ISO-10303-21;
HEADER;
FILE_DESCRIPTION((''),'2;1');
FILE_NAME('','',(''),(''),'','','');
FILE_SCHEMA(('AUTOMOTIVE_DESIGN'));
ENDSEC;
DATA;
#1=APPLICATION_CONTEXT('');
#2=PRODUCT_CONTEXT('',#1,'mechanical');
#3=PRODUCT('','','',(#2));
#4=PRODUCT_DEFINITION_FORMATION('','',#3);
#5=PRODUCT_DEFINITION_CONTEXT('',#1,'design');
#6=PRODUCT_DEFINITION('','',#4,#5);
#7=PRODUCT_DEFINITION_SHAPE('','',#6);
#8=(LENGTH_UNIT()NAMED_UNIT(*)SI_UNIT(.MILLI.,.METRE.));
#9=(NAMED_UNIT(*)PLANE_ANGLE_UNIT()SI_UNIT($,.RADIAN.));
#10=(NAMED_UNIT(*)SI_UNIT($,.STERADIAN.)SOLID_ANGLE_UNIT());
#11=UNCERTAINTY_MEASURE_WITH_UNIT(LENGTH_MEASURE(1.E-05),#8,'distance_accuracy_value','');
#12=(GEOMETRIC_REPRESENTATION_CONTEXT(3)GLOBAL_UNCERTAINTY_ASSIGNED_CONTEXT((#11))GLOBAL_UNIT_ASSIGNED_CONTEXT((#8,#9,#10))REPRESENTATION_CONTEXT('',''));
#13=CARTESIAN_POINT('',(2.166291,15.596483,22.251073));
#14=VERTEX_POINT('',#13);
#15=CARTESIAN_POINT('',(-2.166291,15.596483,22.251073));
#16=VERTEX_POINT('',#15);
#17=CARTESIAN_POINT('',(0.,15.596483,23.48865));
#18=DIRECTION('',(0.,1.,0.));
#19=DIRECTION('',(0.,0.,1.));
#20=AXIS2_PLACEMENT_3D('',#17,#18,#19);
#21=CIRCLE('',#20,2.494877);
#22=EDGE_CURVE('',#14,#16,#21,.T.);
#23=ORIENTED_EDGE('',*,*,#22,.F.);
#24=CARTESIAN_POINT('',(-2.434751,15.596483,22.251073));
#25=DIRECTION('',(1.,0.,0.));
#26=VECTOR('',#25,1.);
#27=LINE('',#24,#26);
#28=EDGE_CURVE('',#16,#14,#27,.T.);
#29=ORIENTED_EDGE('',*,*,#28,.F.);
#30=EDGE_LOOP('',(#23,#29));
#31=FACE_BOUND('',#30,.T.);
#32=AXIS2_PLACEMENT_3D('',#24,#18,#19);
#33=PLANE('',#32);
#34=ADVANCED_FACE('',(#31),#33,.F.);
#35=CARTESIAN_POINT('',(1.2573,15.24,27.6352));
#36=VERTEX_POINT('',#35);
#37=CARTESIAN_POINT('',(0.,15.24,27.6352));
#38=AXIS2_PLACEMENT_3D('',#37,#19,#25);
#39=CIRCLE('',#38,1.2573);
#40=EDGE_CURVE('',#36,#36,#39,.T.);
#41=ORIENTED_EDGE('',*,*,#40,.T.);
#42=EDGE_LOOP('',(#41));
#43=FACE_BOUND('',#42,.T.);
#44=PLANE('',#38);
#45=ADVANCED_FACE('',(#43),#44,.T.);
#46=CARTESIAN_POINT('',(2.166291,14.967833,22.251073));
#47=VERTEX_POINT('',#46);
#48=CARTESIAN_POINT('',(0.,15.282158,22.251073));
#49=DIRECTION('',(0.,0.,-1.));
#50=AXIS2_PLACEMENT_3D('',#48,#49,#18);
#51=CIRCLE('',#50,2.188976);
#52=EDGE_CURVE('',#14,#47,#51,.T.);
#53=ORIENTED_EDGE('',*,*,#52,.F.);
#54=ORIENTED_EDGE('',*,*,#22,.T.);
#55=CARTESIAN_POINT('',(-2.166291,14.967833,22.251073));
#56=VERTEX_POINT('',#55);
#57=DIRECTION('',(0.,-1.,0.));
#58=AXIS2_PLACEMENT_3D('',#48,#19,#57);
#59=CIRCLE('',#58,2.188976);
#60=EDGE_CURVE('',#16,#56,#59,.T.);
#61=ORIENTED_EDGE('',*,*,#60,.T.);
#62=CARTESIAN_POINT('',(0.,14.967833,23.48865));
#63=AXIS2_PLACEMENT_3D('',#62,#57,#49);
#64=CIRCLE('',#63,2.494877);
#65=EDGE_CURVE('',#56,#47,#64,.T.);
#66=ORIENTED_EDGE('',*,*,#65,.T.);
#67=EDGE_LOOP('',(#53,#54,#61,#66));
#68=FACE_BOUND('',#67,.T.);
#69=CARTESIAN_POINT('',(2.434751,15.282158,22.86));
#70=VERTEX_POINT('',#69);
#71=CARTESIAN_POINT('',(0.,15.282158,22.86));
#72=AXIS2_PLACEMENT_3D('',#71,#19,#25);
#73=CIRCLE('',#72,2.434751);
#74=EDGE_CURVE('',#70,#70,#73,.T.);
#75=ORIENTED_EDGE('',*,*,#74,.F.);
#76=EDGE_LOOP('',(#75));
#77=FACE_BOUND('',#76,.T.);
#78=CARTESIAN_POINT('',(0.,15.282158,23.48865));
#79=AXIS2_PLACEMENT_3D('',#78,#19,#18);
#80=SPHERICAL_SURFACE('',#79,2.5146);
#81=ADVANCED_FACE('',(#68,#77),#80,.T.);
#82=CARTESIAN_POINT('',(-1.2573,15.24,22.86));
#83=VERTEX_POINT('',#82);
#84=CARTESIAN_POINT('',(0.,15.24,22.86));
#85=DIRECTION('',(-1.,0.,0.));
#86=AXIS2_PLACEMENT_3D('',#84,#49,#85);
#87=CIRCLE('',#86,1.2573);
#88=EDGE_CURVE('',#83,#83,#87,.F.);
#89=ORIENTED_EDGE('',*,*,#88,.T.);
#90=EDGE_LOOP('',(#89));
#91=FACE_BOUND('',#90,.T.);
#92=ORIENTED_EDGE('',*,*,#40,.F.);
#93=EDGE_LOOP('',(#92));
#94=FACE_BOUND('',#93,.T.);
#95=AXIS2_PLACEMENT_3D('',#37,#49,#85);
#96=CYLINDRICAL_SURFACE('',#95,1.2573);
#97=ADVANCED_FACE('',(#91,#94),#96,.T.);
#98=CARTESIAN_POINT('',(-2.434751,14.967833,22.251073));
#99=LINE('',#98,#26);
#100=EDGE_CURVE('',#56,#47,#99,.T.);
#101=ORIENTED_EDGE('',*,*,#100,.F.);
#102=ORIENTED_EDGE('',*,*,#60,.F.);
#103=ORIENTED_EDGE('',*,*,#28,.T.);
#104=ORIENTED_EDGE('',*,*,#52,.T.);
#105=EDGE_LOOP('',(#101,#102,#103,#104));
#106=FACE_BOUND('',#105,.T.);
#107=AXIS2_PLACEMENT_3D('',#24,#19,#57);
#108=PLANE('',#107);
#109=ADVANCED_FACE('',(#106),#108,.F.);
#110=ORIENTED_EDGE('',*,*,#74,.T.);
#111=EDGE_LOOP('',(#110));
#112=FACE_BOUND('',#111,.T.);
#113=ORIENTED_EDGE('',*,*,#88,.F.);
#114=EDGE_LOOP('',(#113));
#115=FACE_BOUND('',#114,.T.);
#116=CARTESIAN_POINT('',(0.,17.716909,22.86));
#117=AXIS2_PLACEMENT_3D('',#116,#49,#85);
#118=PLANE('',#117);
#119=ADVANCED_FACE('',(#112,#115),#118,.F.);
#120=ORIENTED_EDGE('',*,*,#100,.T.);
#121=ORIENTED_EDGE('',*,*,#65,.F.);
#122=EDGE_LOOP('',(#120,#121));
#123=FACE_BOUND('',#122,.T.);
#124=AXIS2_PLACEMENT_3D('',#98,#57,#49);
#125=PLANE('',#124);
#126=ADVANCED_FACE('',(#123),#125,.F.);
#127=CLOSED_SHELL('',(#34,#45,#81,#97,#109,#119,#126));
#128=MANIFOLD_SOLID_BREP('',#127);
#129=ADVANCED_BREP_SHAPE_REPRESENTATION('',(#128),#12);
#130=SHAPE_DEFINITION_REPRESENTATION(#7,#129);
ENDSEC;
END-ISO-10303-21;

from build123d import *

# Parameters (mm, degrees)
SKETCH2_R           = 1.2573
BOSS_EXTRUDE1_DEPTH = 4.7752
CUT_EXTRUDE1_DEPTH  = 3.434750981


with BuildPart() as part:
    # Sketch1 → Base-Revolve (revolve)
    with BuildSketch(Plane(origin=(0, 0, 0), x_dir=(0, 0, -1), z_dir=(1, 0, 0))):
        with BuildLine():
            Line((-22.86, 15.282157927), (-20.97405, 15.282157927))
            ThreePointArc((-20.97405, 15.282157927), (-21.500684149, 16.822029654), (-22.86, 17.716908908))
            Line((-22.86, 17.716908908), (-22.86, 15.282157927))
        make_face()
    revolve(axis=Axis((0, 15.282157927, 28.59405), (0, 0, -1)))

    # Sketch2 → Boss-Extrude1 (add)
    with BuildSketch(Plane.XY.offset(22.86)):
        with Locations((0, 15.24)):
            Circle(SKETCH2_R)
    extrude(amount=BOSS_EXTRUDE1_DEPTH)

    # Sketch4 → Cut-Extrude1 (cut, through all)
    with BuildSketch(Plane(origin=(0, 0, 0), x_dir=(0, 0, -1), z_dir=(1, 0, 0))):
        with BuildLine():
            Line((-22.251072657, 14.967832927), (-20.993772657, 14.967832927))
            ThreePointArc((-20.993772657, 14.967832927), (-20.97405, 15.282157927), (-20.993772657, 15.596482927))
            Line((-20.993772657, 15.596482927), (-22.251072657, 15.596482927))
            Line((-22.251072657, 15.596482927), (-22.251072657, 14.967832927))
        make_face()
    cut_extrude1 = extrude(amount=-CUT_EXTRUDE1_DEPTH, mode=Mode.SUBTRACT)

    # Mirror1: Cut-Extrude1 across plane
    add(cut_extrude1.mirror(Plane(origin=(0, 15.282157927, 23.48865), x_dir=(0, 0, 1), z_dir=(1, 0, 0))), mode=Mode.SUBTRACT)


solid = part.part
